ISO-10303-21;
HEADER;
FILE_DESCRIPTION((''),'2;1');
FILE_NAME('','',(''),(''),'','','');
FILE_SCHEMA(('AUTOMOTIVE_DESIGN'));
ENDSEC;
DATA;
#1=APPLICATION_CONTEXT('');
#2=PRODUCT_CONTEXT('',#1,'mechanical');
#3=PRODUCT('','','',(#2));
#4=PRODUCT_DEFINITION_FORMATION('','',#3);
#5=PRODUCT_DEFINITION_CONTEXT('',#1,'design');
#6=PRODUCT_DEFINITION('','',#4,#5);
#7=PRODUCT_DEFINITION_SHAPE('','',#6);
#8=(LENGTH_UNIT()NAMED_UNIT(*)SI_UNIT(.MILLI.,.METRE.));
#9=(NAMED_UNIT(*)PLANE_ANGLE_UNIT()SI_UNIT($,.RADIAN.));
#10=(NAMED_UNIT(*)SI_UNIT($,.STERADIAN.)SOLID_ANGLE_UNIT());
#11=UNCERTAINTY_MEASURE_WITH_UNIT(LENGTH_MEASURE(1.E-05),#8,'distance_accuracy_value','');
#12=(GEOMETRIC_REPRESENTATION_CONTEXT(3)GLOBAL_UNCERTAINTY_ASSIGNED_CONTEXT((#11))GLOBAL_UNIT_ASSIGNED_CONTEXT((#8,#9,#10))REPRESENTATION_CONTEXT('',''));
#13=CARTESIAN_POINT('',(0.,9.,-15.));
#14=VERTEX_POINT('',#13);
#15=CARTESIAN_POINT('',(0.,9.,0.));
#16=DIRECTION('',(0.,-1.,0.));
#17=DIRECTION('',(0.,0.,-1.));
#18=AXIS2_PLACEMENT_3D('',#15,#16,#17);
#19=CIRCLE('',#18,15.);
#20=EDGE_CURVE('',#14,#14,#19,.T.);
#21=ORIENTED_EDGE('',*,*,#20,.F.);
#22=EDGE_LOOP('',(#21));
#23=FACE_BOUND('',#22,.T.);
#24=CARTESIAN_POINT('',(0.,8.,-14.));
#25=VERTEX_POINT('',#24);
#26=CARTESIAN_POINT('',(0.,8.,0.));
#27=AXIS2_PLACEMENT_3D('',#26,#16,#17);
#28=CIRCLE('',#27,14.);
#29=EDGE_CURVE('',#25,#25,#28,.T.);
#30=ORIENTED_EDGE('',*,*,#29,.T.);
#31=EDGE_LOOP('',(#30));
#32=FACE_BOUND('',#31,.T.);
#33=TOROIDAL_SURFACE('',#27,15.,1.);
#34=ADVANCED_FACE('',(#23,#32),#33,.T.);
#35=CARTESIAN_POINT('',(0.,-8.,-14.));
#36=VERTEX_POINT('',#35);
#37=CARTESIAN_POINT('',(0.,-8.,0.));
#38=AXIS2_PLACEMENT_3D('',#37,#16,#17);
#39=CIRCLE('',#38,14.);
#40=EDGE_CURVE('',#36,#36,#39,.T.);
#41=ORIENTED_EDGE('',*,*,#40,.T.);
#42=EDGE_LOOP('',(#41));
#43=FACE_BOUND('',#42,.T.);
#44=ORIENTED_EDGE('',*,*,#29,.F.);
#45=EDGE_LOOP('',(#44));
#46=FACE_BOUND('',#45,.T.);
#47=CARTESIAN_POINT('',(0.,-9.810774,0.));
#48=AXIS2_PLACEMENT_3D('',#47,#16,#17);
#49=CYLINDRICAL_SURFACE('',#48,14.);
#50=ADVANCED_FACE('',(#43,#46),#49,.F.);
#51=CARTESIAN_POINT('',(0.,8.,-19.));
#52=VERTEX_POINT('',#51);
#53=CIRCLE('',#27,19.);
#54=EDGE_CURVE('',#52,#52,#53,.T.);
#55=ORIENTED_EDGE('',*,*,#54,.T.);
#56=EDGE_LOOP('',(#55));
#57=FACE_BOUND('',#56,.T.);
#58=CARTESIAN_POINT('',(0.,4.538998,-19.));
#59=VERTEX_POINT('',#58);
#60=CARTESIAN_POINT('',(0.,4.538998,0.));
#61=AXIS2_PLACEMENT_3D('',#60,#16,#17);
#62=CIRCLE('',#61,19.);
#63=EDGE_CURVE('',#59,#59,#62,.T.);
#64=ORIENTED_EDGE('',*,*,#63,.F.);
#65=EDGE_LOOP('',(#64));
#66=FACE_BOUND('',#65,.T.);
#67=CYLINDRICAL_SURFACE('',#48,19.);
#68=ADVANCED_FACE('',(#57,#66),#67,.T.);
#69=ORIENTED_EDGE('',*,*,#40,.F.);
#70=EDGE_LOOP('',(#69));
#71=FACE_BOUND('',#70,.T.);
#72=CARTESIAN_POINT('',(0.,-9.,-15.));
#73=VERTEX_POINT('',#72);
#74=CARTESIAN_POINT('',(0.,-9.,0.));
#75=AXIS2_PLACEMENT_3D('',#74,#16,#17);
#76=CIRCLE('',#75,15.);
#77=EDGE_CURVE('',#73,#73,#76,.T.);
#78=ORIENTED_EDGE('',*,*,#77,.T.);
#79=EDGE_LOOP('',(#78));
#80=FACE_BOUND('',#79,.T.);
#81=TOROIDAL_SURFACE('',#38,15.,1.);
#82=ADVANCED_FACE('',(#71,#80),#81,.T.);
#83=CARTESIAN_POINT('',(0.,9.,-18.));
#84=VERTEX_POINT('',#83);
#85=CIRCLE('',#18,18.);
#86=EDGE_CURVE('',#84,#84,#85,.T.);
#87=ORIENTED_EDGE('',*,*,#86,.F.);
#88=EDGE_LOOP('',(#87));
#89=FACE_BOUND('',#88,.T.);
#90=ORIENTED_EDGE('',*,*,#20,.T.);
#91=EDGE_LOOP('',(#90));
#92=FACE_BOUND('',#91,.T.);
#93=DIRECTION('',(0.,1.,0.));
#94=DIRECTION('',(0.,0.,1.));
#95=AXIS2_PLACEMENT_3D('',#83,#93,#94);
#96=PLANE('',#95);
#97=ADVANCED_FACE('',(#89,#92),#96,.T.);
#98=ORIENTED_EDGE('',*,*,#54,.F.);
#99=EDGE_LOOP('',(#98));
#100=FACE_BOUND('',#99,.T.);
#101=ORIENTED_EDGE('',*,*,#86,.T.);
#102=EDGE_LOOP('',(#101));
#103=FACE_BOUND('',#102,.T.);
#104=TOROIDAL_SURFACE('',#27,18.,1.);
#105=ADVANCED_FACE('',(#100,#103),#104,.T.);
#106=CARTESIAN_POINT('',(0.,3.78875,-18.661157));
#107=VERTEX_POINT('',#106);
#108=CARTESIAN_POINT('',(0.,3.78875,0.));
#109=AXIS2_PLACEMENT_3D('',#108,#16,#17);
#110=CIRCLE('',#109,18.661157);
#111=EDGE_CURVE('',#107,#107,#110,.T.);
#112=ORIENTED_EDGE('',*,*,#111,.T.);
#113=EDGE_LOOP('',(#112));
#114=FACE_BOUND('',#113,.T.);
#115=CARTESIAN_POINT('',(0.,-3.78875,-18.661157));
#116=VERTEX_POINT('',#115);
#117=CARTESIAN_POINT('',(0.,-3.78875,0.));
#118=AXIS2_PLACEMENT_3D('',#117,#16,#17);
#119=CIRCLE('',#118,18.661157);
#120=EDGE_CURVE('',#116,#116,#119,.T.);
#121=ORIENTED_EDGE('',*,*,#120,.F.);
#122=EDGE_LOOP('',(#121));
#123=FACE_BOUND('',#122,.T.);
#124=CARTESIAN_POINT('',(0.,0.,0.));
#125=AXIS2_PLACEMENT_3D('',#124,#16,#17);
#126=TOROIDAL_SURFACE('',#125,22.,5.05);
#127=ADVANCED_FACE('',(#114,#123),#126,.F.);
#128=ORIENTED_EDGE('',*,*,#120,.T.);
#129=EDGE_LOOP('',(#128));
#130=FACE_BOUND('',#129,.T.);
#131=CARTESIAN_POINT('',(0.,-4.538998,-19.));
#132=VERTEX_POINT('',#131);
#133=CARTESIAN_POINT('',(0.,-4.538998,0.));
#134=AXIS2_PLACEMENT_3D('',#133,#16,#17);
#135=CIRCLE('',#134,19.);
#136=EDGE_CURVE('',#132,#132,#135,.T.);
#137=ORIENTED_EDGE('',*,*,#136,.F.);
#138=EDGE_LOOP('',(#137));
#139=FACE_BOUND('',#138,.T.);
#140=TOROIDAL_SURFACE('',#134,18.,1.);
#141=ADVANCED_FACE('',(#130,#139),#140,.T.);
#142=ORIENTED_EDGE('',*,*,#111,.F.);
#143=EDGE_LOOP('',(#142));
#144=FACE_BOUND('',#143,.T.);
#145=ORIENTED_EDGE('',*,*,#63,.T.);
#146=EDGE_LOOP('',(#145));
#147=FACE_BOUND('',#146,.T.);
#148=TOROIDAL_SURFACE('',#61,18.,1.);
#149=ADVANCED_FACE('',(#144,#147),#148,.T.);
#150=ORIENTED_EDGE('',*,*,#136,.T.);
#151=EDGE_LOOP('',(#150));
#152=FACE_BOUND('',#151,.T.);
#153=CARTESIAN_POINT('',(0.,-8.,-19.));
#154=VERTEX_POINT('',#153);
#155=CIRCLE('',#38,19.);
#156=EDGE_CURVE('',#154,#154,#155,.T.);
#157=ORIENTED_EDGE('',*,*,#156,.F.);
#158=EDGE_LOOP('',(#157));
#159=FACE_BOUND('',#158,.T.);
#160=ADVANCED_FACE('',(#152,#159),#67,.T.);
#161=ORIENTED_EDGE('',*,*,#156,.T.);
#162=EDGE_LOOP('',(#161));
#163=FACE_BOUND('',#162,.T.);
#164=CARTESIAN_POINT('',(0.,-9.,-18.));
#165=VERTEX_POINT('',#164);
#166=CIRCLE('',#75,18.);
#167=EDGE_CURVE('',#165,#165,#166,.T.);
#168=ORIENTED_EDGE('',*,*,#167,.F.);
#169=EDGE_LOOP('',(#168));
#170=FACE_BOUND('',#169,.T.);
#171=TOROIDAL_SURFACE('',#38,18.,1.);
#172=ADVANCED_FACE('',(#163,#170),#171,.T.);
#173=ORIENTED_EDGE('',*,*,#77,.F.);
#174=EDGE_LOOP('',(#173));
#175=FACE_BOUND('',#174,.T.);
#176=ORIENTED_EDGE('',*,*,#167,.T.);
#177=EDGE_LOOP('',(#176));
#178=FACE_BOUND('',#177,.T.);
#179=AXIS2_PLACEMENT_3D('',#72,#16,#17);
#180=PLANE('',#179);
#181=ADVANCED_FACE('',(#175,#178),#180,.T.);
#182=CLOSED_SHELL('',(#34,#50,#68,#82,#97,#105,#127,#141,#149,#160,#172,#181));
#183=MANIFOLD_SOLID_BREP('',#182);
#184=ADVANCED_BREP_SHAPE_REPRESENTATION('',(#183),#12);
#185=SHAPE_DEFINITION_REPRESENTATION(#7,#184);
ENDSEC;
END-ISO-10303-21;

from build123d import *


with BuildPart() as part:
    # Sketch1 → Revolve1 (revolve)
    with BuildSketch(Plane(origin=(0, 0, 0), x_dir=(0, 0, -1), z_dir=(1, 0, 0))):
        with BuildLine():
            Line((14, 8), (14, -8))
            ThreePointArc((14, -8), (14.292893219, -8.707106781), (15, -9))
            Line((15, -9), (18, -9))
            ThreePointArc((18, -9), (18.707106781, -8.707106781), (19, -8))
            Line((19, -8), (19, -4.538997687))
            ThreePointArc((19, -4.538997687), (18.911360803, -4.127389271), (18.661157025, -3.788750135))
            ThreePointArc((18.661157025, -3.788750135), (16.95, 0), (18.661157025, 3.788750135))
            ThreePointArc((18.661157025, 3.788750135), (18.911360803, 4.127389271), (19, 4.538997687))
            Line((19, 4.538997687), (19, 8))
            ThreePointArc((19, 8), (18.707106781, 8.707106781), (18, 9))
            Line((18, 9), (15, 9))
            ThreePointArc((15, 9), (14.292893219, 8.707106781), (14, 8))
        make_face()
    revolve(axis=Axis((0, -9.810774163, 0), (0, 1, 0)))


solid = part.part
